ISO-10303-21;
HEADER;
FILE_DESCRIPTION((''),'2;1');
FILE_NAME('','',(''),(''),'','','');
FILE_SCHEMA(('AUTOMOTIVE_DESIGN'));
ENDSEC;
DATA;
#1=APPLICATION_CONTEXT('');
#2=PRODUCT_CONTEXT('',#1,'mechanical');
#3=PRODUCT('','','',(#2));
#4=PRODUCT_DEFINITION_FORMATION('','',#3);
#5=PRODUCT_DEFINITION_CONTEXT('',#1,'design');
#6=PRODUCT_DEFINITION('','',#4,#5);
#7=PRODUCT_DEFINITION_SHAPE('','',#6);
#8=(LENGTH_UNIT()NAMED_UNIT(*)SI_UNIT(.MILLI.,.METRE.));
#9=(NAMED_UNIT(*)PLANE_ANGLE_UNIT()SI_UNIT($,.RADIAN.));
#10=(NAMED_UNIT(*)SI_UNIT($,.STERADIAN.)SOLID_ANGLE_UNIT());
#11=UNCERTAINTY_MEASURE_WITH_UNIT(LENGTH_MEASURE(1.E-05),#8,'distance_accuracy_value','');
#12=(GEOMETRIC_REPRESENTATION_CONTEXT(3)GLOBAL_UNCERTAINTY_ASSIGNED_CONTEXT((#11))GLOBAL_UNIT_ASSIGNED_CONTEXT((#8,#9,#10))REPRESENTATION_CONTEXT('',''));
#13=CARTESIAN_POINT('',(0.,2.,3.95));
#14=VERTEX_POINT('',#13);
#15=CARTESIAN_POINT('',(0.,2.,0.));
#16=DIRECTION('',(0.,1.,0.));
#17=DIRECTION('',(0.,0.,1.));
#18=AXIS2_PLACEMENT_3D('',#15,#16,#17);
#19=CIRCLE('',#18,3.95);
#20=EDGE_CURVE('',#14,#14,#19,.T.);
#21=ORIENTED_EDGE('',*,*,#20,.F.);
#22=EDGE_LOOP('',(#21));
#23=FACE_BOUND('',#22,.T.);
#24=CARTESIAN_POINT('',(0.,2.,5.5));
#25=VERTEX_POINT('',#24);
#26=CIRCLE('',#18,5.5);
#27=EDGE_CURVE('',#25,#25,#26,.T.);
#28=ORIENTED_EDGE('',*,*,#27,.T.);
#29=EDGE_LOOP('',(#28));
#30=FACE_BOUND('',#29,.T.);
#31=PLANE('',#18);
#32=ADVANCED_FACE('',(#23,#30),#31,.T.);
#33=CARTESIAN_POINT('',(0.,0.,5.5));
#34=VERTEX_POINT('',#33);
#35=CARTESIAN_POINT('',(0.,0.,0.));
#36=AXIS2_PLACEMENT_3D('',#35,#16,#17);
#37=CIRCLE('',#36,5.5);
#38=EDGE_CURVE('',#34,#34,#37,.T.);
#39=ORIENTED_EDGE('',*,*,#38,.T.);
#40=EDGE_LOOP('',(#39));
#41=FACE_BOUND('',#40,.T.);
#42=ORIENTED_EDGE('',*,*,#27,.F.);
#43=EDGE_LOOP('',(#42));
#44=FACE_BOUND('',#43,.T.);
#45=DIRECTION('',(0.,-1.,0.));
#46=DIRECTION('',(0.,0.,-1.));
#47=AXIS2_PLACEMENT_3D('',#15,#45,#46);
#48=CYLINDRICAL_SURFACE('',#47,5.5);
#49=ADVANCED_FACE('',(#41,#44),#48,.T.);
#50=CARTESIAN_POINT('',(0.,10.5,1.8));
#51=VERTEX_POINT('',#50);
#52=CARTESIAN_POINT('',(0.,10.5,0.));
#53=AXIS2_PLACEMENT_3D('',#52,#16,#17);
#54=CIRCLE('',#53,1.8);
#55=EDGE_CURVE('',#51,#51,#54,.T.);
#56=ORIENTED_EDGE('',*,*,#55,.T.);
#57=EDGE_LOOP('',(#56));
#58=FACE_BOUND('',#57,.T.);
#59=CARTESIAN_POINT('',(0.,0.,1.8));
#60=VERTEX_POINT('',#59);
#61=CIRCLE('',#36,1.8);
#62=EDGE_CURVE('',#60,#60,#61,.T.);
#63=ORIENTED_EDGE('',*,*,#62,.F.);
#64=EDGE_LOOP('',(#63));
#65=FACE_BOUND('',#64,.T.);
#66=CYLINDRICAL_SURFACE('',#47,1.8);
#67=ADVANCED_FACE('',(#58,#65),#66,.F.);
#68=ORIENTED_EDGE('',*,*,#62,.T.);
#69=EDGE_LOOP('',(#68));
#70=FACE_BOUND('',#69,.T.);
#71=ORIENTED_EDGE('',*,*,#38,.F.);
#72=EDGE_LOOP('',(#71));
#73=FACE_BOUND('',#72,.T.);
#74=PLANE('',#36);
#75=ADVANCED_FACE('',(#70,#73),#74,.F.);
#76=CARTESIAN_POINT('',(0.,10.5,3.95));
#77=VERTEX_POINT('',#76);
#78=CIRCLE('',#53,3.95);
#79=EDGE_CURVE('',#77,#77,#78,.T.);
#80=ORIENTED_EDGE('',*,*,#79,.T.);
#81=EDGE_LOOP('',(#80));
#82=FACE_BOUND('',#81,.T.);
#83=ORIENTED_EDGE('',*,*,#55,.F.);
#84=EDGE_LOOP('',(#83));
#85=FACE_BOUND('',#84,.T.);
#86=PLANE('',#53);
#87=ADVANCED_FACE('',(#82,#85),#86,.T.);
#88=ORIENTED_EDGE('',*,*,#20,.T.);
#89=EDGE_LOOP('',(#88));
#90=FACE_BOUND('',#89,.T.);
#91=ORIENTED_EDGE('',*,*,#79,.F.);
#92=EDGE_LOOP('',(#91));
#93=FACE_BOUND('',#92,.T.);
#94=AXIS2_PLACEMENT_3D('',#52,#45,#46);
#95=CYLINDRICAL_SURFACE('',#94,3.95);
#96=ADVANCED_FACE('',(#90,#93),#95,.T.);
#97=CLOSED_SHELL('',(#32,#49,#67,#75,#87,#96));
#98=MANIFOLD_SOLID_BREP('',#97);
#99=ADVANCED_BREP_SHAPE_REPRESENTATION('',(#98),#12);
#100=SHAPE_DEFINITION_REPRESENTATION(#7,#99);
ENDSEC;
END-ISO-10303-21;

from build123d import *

# Parameters (mm, degrees)
SKETCH1_R           = 5.5
SKETCH1_R_2         = 1.8
BOSS_EXTRUDE1_DEPTH = 2
SKETCH2_R           = 3.95
SKETCH2_R_2         = 1.8
BOSS_EXTRUDE2_DEPTH = 8.5


with BuildPart() as part:
    # Sketch1 → Boss-Extrude1 (new body)
    with BuildSketch(Plane(origin=(0, 0, 0), x_dir=(1, 0, 0), z_dir=(0, 1, 0))):
        with Locations(Location((0, 0, 0), (0, 0, 270))):  # turned: the seam where the file's is
            Circle(SKETCH1_R)
        with Locations(Location((0, 0, 0), (0, 0, 270))):  # turned: the seam where the file's is
            Circle(SKETCH1_R_2, mode=Mode.SUBTRACT)
    extrude(amount=BOSS_EXTRUDE1_DEPTH)

    # Sketch2 → Boss-Extrude2 (add)
    with BuildSketch(Plane(origin=(0, 2, 0), x_dir=(1, 0, 0), z_dir=(0, 1, 0))):
        with Locations(Location((0, 0, 0), (0, 0, 270))):  # turned: the seam where the file's is
            Circle(SKETCH2_R)
        with Locations(Location((0, 0, 0), (0, 0, 270))):  # turned: the seam where the file's is
            Circle(SKETCH2_R_2, mode=Mode.SUBTRACT)
    extrude(amount=BOSS_EXTRUDE2_DEPTH)


solid = part.part
